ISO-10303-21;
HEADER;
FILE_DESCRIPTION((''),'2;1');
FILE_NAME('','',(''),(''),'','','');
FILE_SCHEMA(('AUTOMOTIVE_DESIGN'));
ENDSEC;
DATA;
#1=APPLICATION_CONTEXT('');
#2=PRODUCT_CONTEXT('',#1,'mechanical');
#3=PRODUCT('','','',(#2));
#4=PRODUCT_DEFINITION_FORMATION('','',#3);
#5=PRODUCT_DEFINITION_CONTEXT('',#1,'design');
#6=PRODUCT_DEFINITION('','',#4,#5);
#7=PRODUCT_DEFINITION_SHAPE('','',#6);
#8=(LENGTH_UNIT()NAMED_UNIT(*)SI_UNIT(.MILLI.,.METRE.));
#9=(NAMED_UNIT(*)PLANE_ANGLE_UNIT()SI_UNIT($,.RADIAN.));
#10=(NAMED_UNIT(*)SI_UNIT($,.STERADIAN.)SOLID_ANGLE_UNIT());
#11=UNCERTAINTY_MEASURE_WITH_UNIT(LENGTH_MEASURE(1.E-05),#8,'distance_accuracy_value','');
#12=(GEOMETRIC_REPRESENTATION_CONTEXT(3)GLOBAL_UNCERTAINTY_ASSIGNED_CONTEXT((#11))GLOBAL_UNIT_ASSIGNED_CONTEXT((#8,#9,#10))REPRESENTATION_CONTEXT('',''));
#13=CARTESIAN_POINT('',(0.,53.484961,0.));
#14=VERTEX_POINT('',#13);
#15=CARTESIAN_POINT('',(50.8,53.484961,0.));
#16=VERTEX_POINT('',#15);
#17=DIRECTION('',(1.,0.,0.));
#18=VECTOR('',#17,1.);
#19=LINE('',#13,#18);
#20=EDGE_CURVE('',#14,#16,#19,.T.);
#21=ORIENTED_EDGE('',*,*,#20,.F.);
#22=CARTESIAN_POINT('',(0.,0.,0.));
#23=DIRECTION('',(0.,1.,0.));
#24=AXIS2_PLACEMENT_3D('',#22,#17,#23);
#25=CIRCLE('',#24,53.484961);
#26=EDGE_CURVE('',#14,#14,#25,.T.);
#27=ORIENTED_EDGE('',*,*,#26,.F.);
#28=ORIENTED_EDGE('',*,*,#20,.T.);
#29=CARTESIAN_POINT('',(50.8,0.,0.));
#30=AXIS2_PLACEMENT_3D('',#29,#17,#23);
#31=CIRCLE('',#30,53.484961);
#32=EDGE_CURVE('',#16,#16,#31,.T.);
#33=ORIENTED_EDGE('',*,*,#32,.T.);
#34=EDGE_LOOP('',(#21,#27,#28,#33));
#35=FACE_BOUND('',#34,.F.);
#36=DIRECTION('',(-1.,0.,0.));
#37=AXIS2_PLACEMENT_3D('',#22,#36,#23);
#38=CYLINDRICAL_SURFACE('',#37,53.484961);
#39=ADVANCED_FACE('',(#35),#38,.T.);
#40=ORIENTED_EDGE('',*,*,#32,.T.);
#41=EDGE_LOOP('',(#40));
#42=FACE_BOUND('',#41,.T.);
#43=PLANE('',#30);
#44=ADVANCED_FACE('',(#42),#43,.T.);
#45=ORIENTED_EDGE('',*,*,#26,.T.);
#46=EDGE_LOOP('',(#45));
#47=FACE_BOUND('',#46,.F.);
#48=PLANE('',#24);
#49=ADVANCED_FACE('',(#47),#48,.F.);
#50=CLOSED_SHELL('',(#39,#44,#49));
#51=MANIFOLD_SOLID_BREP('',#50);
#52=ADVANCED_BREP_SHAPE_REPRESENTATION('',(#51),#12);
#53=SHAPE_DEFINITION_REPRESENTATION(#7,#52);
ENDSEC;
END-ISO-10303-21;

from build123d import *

# Parameters (mm, degrees)
F0_R     = 53.484961
F1_DEPTH = 50.8


with BuildPart() as f1:
    # F0 (on Right) → F1 (new body)
    with BuildSketch(Plane.YZ):
        Circle(F0_R)
    extrude(amount=F1_DEPTH)


solid = f1.part
